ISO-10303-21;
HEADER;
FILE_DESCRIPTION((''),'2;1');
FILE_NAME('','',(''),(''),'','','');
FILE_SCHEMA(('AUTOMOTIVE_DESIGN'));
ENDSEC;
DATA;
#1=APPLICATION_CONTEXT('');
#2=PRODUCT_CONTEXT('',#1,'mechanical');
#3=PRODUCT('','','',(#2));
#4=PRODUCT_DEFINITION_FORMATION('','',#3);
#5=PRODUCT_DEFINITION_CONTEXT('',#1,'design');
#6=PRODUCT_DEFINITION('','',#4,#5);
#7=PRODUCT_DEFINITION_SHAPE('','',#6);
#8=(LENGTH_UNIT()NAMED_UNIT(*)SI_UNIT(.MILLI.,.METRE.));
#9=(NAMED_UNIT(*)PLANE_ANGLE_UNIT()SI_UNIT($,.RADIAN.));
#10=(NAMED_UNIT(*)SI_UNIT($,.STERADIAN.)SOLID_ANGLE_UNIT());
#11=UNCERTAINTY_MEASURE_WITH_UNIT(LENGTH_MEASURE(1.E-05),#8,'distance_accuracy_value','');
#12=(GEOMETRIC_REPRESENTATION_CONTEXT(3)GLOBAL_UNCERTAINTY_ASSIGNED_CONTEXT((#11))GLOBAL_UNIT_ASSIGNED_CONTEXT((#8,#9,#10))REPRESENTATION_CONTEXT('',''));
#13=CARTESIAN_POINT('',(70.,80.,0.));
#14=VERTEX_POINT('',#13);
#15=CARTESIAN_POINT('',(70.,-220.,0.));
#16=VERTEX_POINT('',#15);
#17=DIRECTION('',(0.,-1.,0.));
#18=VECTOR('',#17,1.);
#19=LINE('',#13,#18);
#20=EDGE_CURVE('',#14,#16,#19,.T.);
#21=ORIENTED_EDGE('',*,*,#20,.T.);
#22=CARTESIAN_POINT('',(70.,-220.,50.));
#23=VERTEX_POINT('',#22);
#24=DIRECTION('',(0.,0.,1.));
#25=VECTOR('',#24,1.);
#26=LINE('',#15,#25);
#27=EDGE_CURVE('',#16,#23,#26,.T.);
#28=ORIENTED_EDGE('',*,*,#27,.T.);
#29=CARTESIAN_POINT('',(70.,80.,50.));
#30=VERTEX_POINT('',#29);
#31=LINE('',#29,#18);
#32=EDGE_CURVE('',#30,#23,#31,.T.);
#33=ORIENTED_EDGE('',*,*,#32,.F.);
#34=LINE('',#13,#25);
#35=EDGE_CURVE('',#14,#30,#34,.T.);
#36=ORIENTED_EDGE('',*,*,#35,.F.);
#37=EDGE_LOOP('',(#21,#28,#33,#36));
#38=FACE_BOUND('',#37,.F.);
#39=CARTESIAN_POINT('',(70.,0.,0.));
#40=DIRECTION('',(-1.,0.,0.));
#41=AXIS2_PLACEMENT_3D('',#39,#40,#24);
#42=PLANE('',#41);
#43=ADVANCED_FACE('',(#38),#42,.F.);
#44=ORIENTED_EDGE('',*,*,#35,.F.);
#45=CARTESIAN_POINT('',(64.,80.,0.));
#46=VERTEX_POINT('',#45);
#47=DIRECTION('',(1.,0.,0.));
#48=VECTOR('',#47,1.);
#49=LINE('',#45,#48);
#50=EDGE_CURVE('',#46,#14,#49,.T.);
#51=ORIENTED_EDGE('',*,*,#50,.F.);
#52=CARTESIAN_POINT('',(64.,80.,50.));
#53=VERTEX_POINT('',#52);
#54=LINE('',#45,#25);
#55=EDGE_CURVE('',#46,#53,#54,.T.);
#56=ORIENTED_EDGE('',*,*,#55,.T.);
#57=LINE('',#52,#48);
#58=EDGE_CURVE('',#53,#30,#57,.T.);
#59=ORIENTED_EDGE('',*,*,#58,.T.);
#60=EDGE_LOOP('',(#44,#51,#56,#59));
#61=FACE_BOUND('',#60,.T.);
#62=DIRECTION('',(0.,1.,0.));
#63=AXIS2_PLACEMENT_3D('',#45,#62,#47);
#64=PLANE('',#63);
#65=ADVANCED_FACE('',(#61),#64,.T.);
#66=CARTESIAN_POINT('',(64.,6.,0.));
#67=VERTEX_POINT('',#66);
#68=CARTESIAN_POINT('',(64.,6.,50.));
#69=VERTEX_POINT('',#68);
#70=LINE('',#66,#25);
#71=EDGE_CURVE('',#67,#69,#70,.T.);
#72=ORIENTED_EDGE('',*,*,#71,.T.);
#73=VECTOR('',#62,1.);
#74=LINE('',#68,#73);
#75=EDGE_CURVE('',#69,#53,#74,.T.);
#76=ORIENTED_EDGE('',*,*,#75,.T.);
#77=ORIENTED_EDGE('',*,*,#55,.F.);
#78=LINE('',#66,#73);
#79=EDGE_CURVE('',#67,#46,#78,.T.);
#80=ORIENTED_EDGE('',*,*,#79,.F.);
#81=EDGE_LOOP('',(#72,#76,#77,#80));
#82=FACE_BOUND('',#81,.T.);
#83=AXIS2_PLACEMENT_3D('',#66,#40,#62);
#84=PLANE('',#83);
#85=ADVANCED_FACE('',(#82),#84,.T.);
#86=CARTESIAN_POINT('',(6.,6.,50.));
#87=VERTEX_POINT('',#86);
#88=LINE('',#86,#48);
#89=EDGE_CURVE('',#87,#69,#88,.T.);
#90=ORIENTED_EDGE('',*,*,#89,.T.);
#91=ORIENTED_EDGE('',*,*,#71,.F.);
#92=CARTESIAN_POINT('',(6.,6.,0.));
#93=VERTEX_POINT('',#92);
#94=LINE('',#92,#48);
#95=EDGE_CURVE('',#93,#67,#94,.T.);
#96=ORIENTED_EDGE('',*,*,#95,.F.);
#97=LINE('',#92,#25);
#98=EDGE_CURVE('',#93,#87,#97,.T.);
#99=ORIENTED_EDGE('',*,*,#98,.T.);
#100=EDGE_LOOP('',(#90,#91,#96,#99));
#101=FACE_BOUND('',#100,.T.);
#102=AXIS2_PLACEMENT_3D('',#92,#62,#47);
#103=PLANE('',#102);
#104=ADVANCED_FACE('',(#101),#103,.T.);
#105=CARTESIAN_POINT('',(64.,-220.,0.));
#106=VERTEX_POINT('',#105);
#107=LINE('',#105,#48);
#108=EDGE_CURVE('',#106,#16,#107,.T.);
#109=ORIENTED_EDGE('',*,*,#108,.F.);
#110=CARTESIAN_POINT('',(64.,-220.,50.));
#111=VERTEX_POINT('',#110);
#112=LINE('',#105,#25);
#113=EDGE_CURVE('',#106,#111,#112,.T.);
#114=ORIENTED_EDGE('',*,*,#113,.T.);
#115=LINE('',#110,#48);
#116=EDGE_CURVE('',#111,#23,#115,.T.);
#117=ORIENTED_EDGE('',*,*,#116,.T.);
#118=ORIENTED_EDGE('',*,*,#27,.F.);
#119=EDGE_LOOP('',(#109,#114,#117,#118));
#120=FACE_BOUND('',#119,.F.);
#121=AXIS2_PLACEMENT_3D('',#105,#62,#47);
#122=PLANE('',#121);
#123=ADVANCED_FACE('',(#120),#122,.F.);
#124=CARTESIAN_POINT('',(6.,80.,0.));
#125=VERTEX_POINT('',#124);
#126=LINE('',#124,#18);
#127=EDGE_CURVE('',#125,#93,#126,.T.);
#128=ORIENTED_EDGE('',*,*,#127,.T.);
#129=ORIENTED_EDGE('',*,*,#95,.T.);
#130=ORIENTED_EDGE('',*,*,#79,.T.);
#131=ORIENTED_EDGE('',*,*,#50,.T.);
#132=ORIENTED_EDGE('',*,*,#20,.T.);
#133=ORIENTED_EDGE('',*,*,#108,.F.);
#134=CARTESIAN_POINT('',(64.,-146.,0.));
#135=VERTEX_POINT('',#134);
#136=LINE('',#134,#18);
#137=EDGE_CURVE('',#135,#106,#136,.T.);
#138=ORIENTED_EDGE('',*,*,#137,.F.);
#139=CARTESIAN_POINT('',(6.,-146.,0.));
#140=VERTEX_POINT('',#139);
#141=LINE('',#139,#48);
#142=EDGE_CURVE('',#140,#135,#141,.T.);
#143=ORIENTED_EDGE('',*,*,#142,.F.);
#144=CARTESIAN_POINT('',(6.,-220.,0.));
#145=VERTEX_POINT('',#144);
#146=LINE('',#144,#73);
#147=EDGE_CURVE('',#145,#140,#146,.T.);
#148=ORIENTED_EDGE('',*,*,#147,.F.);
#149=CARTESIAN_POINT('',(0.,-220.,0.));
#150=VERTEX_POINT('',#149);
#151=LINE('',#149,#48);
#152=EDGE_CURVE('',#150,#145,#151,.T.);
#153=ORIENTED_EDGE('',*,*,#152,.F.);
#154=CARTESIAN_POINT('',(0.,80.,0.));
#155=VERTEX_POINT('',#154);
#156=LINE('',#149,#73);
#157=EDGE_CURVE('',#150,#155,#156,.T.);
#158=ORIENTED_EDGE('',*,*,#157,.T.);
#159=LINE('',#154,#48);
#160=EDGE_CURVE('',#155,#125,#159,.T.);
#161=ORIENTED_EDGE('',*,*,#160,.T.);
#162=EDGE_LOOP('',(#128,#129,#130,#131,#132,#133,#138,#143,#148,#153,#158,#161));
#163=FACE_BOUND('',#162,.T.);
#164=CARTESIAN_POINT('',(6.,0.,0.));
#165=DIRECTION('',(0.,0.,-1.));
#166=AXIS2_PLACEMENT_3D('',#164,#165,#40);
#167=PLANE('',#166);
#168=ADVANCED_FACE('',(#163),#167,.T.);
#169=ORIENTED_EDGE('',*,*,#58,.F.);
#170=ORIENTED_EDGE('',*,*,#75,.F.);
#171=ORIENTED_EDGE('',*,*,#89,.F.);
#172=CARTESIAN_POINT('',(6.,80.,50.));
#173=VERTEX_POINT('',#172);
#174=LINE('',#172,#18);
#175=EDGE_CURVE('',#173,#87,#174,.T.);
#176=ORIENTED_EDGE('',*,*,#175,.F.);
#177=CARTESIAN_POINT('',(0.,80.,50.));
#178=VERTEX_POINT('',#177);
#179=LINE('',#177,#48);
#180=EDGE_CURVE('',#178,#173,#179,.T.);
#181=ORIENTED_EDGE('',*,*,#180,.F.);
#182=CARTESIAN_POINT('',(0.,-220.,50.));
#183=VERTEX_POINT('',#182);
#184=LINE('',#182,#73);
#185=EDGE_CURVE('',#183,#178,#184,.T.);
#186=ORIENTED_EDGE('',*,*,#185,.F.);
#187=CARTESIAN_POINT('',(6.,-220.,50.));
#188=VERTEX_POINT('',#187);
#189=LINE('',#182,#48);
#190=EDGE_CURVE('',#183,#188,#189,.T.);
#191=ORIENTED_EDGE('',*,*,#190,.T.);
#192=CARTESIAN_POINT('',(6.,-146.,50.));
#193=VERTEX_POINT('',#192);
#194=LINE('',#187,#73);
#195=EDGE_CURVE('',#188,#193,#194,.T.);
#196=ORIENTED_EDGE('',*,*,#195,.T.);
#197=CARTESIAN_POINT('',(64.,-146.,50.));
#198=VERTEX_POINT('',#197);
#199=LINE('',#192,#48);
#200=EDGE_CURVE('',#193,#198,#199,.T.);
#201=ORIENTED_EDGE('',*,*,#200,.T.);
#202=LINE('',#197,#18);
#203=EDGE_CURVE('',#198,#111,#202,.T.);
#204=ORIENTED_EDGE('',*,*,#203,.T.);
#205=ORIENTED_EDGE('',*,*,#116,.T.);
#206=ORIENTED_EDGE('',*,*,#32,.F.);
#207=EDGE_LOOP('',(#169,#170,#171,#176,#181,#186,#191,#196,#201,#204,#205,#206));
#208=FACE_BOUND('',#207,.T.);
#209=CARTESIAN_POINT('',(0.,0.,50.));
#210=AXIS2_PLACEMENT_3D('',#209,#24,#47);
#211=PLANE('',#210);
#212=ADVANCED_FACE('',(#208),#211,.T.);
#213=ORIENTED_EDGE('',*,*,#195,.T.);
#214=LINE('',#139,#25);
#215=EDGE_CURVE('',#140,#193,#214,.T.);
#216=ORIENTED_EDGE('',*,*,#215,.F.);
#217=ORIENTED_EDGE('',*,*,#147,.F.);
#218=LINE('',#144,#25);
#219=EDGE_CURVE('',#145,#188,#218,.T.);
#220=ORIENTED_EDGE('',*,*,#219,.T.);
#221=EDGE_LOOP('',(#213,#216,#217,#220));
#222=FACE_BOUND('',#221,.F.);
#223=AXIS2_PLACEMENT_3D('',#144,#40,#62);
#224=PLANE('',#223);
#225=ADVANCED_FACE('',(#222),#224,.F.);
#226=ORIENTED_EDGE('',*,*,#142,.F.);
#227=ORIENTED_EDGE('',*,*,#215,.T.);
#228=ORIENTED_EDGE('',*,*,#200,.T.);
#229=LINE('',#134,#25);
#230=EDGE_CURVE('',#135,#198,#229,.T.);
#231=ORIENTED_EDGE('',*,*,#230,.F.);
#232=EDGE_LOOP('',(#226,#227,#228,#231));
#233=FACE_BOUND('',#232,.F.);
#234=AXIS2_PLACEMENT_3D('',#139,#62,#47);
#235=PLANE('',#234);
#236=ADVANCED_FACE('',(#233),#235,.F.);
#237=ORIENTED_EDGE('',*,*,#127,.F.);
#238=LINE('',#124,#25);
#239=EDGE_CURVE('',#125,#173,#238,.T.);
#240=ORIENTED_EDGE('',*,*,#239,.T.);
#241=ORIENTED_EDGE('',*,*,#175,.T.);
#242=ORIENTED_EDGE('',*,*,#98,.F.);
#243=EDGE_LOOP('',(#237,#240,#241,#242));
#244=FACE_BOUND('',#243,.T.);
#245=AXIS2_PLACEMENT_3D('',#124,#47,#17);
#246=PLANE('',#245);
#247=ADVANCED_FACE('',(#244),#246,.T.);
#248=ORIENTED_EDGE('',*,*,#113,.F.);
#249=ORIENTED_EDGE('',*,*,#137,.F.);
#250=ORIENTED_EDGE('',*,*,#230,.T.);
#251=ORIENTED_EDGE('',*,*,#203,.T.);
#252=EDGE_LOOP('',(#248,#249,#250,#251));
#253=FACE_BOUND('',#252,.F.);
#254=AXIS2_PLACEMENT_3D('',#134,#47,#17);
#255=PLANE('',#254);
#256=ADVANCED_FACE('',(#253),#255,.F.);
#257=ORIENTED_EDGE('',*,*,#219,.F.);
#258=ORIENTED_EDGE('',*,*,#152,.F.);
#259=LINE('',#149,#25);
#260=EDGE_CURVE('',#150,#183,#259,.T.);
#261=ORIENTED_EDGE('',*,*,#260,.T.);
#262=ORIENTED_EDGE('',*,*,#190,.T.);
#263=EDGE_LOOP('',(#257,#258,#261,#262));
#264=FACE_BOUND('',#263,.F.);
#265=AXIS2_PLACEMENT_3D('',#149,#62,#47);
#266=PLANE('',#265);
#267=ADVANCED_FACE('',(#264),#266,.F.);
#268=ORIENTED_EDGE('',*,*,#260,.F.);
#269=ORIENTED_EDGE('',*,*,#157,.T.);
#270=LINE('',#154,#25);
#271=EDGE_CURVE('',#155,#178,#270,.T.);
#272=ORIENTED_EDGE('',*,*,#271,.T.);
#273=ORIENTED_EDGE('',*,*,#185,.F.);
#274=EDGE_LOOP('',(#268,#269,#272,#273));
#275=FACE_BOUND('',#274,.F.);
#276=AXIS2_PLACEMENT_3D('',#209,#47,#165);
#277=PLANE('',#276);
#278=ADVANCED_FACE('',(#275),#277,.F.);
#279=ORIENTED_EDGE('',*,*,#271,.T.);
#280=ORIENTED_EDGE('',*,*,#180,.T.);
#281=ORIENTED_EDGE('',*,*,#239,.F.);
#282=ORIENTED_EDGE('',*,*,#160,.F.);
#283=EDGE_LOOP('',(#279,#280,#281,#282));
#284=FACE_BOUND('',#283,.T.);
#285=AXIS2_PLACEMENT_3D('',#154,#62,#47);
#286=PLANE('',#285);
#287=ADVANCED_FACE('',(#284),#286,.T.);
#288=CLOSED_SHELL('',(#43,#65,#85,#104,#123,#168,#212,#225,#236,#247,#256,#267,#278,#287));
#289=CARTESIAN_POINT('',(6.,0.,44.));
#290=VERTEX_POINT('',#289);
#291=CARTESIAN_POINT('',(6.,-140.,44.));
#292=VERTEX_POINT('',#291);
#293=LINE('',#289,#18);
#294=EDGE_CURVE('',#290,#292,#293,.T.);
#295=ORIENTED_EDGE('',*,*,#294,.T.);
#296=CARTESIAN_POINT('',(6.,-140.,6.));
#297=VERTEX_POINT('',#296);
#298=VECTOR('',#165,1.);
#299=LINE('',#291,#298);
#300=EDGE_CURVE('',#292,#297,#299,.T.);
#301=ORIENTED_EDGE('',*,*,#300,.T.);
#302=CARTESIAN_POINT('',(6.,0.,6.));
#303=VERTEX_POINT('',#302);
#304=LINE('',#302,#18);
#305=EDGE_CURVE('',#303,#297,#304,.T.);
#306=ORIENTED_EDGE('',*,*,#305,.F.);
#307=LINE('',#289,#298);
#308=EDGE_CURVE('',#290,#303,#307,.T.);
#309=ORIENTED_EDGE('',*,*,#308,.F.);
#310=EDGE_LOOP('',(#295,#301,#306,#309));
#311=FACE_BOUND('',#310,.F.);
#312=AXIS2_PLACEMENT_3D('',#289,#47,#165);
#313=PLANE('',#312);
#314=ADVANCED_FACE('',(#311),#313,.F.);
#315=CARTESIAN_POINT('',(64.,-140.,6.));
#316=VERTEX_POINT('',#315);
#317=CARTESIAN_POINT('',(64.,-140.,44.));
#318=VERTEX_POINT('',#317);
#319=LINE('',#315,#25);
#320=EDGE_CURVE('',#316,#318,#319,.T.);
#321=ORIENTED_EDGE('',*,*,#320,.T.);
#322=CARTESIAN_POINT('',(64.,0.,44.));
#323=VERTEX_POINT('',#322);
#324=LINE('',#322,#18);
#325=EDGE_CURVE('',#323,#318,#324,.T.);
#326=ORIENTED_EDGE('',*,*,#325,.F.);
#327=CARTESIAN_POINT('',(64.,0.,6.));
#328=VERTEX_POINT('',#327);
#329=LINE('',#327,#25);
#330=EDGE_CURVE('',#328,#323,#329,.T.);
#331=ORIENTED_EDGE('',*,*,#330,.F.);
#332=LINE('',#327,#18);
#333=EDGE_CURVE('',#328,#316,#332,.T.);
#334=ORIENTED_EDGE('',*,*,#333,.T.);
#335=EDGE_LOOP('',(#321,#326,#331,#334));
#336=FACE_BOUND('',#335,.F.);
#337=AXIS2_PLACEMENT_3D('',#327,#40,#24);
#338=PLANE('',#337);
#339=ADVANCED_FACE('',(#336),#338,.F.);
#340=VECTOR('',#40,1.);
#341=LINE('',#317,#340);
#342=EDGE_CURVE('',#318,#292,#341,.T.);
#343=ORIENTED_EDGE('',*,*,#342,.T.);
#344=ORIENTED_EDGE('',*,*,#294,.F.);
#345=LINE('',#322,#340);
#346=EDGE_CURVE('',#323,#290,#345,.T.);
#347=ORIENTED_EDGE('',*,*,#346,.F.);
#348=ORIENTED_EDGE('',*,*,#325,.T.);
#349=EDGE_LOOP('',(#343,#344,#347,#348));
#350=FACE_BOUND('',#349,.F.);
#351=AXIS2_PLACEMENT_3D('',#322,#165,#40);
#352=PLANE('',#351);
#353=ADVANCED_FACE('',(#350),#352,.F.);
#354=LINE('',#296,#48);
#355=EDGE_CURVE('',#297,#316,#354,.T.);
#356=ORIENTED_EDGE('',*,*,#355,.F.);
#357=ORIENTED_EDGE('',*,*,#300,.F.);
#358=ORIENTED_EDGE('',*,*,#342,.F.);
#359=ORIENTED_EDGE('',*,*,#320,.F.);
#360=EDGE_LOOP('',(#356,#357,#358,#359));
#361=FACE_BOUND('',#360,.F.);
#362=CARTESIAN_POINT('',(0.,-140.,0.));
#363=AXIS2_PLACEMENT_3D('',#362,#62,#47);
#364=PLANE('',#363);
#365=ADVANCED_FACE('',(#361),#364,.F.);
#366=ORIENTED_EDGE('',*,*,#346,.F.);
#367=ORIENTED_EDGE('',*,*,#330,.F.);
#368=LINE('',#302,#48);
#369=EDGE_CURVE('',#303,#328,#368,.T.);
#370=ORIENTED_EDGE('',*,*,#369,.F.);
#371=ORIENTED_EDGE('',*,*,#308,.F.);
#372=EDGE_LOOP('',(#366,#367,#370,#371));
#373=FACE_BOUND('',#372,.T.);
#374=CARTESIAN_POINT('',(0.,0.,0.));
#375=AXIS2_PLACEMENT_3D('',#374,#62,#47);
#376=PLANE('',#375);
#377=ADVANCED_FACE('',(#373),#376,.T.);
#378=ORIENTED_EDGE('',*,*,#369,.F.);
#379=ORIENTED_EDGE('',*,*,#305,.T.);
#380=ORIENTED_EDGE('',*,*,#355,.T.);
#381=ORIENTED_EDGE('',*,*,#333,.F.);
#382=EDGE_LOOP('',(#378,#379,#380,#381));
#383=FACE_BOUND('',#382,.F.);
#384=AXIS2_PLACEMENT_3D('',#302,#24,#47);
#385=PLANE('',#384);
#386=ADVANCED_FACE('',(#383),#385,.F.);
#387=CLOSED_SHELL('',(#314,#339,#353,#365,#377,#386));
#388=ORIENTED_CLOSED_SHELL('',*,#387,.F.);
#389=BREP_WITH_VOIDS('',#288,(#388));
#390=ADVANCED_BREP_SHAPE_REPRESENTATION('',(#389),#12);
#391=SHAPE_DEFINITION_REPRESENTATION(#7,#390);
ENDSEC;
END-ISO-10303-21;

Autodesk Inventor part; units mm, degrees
ref_plane "YZ Plane" through (0, 0, 0) normal (1, 0, 0) x (0, 1, 0)
ref_plane "XZ Plane" through (0, 0, 0) normal (0, 1, 0) x (-1, 0, 0)
ref_plane "XY Plane" through (0, 0, 0) normal (0, 0, 1) x (1, 0, 0)
sketch "Sketch1" plane through (0, 0, 0) normal (0, 0, 1) x (1, 0, 0)
  line L0 (0, 80) -> (0, 0)
  line L1 (0, 0) -> (70, 0)
  line L2 (70, 0) -> (70, 80)
  line L3 (6, 80) -> (6, 6)
  line L4 (6, 6) -> (64, 6)
  line L5 (64, 6) -> (64, 80)
  line L6 (0, 80) -> (6, 80)
  line L7 (64, 80) -> (70, 80)
  line L8 (0, -70) -> (70, -70)
  line L9 (0, -220) -> (0, -140)
  line L10 (0, -140) -> (70, -140)
  line L11 (70, -140) -> (70, -220)
  line L12 (6, -220) -> (6, -146)
  line L13 (6, -146) -> (64, -146)
  line L14 (64, -146) -> (64, -220)
  line L15 (0, -220) -> (6, -220)
  line L16 (64, -220) -> (70, -220)
  dimension "d0" = 70
  dimension "d1" = 80
  dimension "d2" = 80
  dimension "d3" = 6
  dimension "d10" = 70
extrude "Extrusion1" add sketch "Sketch1" along normal blind 50
sketch "Sketch2" plane through (0, 0, 0) normal (0, -1, 0) x (1, 0, 0)
  line L0 (6, 0) -> (0, 0) projected
  line L1 (0, 50) -> (70, 50) projected
  line L2 (0, 0) -> (70, 0)
  line L3 (70, 0) -> (70, 50)
  line L4 (70, 50) -> (0, 50)
  line L5 (0, 50) -> (0, 0)
  line L6 (6, 6) -> (64, 6)
  line L7 (64, 6) -> (64, 44)
  line L8 (64, 44) -> (6, 44)
  line L9 (6, 44) -> (6, 6)
  dimension "d7" = 6
extrude "Extrusion2" add sketch "Sketch2" along normal blind 140
properties part number "armj2"
